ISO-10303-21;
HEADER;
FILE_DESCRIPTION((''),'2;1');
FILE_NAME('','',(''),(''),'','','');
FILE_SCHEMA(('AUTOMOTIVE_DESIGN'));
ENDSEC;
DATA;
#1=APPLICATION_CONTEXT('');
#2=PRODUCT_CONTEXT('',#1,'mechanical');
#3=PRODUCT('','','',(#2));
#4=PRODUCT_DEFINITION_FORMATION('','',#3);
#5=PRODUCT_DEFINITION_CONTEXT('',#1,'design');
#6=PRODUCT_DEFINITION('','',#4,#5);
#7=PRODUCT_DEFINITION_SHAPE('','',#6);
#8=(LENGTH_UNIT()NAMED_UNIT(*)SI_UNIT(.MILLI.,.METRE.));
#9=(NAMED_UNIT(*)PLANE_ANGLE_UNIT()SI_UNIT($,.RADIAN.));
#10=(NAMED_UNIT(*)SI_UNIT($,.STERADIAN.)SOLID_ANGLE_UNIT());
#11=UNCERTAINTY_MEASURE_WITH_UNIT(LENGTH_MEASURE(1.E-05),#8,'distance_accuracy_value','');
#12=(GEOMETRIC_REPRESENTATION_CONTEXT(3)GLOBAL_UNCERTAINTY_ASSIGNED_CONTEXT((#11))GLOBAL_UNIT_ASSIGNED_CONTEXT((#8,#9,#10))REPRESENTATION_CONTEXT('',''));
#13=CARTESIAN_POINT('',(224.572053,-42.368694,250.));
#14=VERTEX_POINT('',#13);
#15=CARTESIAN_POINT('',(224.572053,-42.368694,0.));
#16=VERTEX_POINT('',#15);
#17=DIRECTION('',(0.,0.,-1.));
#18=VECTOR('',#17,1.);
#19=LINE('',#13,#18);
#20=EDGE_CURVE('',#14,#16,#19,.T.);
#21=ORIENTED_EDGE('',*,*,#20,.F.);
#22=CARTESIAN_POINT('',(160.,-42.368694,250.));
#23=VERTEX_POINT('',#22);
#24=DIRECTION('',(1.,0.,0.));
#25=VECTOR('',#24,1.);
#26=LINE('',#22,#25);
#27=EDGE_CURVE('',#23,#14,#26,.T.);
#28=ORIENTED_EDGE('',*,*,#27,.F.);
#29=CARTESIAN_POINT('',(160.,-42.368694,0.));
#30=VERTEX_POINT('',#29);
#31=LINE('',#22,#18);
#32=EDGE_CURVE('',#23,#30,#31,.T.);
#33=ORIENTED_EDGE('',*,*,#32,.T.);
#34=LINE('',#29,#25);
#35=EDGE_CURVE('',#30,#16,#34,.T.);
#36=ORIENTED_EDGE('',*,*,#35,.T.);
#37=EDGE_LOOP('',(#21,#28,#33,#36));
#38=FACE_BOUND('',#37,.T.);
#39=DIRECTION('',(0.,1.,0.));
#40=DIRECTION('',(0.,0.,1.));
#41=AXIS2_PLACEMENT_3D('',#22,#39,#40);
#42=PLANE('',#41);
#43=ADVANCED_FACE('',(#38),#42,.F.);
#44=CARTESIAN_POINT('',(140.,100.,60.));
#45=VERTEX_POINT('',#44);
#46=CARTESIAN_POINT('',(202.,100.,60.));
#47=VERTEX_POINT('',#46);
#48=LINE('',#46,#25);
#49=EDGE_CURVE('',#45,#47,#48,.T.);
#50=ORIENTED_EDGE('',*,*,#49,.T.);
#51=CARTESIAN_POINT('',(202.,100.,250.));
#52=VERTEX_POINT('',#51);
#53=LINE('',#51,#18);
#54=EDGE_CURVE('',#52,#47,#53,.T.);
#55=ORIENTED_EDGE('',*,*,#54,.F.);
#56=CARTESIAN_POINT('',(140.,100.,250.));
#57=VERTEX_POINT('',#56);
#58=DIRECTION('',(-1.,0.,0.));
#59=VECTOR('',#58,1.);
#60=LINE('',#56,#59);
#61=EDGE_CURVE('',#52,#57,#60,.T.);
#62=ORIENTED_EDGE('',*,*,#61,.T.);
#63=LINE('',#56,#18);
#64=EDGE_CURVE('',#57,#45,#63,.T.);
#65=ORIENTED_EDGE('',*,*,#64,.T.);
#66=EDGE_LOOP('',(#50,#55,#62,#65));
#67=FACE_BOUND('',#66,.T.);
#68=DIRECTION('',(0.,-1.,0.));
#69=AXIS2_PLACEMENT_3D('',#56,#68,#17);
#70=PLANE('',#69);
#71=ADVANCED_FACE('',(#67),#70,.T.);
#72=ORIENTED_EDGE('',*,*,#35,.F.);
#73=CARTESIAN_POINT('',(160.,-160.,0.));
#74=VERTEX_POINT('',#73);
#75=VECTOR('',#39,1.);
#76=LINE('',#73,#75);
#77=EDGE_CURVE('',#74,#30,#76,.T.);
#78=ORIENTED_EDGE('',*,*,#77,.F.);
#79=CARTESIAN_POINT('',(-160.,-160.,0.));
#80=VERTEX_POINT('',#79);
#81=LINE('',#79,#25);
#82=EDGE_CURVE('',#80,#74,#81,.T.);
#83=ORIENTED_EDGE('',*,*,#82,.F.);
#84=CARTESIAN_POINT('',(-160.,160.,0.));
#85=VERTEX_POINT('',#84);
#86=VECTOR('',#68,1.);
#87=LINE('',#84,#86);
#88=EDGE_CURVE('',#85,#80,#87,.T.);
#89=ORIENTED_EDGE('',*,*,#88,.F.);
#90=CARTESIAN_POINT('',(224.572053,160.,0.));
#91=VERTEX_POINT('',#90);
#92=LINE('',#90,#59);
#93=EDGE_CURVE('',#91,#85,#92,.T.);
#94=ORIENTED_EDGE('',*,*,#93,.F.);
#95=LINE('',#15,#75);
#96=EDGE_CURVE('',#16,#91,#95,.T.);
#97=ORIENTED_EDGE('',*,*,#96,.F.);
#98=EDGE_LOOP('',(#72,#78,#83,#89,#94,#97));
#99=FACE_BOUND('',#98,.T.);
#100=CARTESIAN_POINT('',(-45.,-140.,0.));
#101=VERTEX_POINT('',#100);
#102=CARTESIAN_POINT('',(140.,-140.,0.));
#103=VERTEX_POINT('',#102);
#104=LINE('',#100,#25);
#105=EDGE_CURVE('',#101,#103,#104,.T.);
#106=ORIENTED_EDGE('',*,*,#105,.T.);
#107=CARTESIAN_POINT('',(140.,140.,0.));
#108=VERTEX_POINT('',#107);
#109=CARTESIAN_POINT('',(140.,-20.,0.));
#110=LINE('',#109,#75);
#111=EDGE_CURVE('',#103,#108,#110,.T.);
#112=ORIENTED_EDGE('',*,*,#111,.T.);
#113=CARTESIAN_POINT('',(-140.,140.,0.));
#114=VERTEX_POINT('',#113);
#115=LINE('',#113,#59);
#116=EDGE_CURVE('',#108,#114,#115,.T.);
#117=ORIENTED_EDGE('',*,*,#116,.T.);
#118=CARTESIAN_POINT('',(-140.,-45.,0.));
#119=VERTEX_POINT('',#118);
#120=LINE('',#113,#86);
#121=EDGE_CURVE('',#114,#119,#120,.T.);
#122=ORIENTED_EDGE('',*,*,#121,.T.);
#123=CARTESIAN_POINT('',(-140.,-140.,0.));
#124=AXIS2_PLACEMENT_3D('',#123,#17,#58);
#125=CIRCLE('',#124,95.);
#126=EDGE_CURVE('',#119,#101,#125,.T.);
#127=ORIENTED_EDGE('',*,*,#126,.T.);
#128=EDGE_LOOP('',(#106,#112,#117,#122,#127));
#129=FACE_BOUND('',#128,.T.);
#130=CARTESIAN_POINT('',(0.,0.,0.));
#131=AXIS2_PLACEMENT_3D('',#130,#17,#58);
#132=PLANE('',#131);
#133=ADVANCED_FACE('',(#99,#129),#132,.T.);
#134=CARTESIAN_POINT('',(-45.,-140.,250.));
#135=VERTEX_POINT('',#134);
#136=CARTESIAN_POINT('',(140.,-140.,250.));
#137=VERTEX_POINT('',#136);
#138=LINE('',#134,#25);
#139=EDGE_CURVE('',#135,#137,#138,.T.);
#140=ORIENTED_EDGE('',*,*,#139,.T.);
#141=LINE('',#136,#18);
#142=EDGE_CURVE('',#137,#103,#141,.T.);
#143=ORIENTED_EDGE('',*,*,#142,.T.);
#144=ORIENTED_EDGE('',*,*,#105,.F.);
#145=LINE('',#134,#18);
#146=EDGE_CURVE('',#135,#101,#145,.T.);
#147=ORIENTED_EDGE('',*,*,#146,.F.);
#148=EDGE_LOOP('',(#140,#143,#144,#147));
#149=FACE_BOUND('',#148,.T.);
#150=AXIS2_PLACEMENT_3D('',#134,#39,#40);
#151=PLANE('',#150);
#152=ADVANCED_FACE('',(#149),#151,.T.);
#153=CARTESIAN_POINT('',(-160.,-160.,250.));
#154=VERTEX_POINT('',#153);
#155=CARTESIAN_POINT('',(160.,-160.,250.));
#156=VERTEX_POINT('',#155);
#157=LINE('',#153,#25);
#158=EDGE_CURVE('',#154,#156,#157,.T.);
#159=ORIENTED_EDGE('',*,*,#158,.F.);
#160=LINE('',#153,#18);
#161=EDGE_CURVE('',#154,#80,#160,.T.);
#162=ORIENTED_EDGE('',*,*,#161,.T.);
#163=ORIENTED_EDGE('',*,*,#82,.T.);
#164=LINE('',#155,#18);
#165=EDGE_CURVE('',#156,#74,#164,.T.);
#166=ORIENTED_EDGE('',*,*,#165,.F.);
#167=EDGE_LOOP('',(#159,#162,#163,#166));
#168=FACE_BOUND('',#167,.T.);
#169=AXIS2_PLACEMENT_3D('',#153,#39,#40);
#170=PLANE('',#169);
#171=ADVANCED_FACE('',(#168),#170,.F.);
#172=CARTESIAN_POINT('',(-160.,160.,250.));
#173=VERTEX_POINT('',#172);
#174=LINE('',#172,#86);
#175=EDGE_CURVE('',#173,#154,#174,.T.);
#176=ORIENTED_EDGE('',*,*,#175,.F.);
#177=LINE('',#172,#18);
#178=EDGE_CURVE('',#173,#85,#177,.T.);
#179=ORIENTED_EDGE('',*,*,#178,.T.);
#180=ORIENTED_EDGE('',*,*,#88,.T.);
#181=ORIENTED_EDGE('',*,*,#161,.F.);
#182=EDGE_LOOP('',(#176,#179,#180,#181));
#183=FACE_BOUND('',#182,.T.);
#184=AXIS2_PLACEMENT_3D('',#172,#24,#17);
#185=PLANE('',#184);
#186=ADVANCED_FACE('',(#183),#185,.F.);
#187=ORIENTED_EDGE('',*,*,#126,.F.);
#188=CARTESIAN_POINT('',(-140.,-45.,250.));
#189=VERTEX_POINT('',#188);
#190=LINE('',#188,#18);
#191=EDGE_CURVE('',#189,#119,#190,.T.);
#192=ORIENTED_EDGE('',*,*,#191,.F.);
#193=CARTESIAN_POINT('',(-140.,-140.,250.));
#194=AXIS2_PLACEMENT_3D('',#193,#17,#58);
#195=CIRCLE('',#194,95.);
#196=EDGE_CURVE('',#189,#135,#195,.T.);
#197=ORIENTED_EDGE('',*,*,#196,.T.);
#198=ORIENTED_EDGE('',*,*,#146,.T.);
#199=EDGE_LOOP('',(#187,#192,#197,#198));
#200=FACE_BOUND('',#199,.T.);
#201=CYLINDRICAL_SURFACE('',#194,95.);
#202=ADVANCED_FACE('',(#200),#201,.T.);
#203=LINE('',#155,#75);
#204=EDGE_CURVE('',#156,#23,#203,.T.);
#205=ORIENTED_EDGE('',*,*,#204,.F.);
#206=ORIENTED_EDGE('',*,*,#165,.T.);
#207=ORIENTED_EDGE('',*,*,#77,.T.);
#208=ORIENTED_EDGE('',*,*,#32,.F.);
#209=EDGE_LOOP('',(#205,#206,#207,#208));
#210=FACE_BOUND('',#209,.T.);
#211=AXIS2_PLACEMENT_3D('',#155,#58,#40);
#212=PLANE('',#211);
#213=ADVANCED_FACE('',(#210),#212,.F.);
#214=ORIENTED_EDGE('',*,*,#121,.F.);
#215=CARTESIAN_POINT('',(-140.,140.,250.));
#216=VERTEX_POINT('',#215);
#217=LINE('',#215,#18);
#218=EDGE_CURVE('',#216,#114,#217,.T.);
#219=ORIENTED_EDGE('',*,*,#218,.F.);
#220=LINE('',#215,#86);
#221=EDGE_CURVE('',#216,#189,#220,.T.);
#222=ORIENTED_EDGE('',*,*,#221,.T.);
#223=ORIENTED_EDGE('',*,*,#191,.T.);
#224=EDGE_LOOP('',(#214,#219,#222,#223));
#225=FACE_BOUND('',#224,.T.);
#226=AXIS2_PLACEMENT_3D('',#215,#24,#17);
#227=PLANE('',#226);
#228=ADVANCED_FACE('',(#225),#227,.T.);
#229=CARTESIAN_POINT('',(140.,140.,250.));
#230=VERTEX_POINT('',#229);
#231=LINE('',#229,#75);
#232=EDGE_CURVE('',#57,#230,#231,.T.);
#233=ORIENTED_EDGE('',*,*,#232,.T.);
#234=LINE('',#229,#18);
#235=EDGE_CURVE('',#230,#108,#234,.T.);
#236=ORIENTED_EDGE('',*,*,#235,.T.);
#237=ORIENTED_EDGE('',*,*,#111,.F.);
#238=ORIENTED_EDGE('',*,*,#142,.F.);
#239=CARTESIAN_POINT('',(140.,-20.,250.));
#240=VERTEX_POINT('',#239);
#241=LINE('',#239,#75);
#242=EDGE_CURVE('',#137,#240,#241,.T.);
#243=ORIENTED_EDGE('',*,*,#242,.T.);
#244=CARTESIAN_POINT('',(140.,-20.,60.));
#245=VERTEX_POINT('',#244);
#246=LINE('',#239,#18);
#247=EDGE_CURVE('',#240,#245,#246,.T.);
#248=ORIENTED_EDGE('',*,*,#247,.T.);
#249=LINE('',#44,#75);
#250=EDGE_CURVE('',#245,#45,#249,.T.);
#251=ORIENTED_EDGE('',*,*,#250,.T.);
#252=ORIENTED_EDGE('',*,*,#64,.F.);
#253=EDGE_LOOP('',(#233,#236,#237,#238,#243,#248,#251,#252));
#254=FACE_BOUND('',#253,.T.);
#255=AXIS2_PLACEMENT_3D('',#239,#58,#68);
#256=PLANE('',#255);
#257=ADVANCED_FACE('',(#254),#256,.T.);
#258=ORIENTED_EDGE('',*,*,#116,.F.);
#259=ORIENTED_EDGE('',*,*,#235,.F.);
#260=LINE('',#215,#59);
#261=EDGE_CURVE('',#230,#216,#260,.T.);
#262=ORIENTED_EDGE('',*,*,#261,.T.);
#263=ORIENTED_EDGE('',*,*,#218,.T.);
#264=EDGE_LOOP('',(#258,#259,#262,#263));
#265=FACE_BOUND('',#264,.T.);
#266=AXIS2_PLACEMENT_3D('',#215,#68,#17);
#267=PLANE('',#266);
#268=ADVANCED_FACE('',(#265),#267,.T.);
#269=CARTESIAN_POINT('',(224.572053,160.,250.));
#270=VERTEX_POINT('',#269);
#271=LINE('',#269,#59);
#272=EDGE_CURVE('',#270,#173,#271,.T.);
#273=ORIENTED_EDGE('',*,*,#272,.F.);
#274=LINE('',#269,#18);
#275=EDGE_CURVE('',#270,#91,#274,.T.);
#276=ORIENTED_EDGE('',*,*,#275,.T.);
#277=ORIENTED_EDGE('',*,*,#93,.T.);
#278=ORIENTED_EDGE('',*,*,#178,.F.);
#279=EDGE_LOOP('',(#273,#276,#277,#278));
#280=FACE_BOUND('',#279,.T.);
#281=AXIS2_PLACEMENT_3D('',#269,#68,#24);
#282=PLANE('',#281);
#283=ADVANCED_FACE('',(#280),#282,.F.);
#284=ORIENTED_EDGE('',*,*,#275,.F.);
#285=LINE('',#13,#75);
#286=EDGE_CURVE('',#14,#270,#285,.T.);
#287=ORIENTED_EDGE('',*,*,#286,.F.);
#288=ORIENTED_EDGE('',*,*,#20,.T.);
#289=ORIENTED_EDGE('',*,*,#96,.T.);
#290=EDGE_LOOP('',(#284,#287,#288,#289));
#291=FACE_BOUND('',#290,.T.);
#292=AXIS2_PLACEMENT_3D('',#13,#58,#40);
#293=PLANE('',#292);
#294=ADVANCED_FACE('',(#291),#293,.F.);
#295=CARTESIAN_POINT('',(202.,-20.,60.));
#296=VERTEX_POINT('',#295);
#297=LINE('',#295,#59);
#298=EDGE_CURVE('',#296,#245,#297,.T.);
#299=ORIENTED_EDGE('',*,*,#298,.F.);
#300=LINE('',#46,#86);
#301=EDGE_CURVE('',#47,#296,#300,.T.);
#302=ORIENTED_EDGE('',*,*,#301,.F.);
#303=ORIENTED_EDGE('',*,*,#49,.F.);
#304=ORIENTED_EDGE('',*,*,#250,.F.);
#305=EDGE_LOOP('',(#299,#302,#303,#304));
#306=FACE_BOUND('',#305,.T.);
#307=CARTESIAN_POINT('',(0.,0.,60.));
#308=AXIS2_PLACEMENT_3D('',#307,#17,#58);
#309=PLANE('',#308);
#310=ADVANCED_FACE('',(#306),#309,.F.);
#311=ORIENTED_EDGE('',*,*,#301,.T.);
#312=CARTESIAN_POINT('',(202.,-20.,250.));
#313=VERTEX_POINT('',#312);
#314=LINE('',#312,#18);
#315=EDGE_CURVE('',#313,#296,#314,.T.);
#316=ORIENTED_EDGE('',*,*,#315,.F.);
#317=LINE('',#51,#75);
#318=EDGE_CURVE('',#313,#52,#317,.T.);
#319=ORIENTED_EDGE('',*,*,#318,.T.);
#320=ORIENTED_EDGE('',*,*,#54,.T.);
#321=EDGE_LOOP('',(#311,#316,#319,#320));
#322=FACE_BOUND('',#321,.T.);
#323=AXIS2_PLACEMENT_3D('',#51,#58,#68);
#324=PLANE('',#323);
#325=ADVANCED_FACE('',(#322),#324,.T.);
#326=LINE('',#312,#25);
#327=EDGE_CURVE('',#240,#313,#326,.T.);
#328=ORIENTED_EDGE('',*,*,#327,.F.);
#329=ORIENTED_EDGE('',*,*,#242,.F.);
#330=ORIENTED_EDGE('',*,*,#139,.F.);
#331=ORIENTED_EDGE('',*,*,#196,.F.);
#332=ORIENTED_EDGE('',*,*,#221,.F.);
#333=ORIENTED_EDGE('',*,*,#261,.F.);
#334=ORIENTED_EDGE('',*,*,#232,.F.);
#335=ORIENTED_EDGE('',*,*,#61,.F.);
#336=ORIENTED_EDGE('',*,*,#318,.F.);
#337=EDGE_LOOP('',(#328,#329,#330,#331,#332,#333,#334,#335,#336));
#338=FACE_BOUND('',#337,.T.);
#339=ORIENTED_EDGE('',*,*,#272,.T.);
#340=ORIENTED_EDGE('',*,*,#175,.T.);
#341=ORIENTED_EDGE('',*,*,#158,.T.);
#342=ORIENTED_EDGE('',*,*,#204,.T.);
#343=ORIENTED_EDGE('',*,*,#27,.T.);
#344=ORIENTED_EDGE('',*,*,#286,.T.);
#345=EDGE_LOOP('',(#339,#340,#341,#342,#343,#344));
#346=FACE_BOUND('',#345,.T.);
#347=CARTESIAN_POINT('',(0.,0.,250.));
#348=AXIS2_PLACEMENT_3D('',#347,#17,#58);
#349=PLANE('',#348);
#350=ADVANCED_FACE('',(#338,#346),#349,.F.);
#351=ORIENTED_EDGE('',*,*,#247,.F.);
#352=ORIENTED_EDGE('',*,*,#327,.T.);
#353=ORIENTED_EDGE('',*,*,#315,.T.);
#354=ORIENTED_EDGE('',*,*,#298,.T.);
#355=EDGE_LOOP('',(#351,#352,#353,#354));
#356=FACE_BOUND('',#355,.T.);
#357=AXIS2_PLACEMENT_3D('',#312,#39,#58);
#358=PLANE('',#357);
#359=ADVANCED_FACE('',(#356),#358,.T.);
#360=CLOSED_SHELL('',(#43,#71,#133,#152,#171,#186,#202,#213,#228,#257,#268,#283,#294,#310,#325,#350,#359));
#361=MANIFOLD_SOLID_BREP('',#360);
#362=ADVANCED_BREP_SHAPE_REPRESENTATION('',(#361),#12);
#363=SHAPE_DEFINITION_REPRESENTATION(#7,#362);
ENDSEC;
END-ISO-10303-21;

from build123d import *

# Parameters (mm, degrees)
EXTRUDE_1_DEPTH = 250
SKETCH_2_W      = 62
SKETCH_2_H      = 120
EXTRUDE_2_DEPTH = 60


with BuildPart() as part:
    # 草图1 → 凸台-拉伸1 (new body)
    with BuildSketch(Plane.XY):
        Polygon((-160, -160), (160, -160), (160, -42.368693821), (224.572052692, -42.368693821), (224.572052692, 160), (-160, 160), align=None)
        with BuildLine():
            Line((-140, 140), (140, 140))
            Line((140, 140), (140, 100))
            Line((140, 100), (202, 100))
            Line((202, 100), (202, -20))
            Line((202, -20), (140, -20))
            Line((140, -20), (140, -140))
            Line((140, -140), (-45, -140))
            ThreePointArc((-45, -140), (-72.824855787, -72.824855787), (-140, -45))
            Line((-140, -45), (-140, 140))
        make_face(mode=Mode.SUBTRACT)
    extrude(amount=EXTRUDE_1_DEPTH)

    # 草图2 → 凸台-拉伸2 (add)
    with BuildSketch(Plane(origin=(0, 0, 0), x_dir=(-1, 0, 0), z_dir=(0, 0, -1))):
        with Locations((-171, 40)):
            Rectangle(SKETCH_2_W, SKETCH_2_H)
    extrude(amount=-EXTRUDE_2_DEPTH)


solid = part.part
